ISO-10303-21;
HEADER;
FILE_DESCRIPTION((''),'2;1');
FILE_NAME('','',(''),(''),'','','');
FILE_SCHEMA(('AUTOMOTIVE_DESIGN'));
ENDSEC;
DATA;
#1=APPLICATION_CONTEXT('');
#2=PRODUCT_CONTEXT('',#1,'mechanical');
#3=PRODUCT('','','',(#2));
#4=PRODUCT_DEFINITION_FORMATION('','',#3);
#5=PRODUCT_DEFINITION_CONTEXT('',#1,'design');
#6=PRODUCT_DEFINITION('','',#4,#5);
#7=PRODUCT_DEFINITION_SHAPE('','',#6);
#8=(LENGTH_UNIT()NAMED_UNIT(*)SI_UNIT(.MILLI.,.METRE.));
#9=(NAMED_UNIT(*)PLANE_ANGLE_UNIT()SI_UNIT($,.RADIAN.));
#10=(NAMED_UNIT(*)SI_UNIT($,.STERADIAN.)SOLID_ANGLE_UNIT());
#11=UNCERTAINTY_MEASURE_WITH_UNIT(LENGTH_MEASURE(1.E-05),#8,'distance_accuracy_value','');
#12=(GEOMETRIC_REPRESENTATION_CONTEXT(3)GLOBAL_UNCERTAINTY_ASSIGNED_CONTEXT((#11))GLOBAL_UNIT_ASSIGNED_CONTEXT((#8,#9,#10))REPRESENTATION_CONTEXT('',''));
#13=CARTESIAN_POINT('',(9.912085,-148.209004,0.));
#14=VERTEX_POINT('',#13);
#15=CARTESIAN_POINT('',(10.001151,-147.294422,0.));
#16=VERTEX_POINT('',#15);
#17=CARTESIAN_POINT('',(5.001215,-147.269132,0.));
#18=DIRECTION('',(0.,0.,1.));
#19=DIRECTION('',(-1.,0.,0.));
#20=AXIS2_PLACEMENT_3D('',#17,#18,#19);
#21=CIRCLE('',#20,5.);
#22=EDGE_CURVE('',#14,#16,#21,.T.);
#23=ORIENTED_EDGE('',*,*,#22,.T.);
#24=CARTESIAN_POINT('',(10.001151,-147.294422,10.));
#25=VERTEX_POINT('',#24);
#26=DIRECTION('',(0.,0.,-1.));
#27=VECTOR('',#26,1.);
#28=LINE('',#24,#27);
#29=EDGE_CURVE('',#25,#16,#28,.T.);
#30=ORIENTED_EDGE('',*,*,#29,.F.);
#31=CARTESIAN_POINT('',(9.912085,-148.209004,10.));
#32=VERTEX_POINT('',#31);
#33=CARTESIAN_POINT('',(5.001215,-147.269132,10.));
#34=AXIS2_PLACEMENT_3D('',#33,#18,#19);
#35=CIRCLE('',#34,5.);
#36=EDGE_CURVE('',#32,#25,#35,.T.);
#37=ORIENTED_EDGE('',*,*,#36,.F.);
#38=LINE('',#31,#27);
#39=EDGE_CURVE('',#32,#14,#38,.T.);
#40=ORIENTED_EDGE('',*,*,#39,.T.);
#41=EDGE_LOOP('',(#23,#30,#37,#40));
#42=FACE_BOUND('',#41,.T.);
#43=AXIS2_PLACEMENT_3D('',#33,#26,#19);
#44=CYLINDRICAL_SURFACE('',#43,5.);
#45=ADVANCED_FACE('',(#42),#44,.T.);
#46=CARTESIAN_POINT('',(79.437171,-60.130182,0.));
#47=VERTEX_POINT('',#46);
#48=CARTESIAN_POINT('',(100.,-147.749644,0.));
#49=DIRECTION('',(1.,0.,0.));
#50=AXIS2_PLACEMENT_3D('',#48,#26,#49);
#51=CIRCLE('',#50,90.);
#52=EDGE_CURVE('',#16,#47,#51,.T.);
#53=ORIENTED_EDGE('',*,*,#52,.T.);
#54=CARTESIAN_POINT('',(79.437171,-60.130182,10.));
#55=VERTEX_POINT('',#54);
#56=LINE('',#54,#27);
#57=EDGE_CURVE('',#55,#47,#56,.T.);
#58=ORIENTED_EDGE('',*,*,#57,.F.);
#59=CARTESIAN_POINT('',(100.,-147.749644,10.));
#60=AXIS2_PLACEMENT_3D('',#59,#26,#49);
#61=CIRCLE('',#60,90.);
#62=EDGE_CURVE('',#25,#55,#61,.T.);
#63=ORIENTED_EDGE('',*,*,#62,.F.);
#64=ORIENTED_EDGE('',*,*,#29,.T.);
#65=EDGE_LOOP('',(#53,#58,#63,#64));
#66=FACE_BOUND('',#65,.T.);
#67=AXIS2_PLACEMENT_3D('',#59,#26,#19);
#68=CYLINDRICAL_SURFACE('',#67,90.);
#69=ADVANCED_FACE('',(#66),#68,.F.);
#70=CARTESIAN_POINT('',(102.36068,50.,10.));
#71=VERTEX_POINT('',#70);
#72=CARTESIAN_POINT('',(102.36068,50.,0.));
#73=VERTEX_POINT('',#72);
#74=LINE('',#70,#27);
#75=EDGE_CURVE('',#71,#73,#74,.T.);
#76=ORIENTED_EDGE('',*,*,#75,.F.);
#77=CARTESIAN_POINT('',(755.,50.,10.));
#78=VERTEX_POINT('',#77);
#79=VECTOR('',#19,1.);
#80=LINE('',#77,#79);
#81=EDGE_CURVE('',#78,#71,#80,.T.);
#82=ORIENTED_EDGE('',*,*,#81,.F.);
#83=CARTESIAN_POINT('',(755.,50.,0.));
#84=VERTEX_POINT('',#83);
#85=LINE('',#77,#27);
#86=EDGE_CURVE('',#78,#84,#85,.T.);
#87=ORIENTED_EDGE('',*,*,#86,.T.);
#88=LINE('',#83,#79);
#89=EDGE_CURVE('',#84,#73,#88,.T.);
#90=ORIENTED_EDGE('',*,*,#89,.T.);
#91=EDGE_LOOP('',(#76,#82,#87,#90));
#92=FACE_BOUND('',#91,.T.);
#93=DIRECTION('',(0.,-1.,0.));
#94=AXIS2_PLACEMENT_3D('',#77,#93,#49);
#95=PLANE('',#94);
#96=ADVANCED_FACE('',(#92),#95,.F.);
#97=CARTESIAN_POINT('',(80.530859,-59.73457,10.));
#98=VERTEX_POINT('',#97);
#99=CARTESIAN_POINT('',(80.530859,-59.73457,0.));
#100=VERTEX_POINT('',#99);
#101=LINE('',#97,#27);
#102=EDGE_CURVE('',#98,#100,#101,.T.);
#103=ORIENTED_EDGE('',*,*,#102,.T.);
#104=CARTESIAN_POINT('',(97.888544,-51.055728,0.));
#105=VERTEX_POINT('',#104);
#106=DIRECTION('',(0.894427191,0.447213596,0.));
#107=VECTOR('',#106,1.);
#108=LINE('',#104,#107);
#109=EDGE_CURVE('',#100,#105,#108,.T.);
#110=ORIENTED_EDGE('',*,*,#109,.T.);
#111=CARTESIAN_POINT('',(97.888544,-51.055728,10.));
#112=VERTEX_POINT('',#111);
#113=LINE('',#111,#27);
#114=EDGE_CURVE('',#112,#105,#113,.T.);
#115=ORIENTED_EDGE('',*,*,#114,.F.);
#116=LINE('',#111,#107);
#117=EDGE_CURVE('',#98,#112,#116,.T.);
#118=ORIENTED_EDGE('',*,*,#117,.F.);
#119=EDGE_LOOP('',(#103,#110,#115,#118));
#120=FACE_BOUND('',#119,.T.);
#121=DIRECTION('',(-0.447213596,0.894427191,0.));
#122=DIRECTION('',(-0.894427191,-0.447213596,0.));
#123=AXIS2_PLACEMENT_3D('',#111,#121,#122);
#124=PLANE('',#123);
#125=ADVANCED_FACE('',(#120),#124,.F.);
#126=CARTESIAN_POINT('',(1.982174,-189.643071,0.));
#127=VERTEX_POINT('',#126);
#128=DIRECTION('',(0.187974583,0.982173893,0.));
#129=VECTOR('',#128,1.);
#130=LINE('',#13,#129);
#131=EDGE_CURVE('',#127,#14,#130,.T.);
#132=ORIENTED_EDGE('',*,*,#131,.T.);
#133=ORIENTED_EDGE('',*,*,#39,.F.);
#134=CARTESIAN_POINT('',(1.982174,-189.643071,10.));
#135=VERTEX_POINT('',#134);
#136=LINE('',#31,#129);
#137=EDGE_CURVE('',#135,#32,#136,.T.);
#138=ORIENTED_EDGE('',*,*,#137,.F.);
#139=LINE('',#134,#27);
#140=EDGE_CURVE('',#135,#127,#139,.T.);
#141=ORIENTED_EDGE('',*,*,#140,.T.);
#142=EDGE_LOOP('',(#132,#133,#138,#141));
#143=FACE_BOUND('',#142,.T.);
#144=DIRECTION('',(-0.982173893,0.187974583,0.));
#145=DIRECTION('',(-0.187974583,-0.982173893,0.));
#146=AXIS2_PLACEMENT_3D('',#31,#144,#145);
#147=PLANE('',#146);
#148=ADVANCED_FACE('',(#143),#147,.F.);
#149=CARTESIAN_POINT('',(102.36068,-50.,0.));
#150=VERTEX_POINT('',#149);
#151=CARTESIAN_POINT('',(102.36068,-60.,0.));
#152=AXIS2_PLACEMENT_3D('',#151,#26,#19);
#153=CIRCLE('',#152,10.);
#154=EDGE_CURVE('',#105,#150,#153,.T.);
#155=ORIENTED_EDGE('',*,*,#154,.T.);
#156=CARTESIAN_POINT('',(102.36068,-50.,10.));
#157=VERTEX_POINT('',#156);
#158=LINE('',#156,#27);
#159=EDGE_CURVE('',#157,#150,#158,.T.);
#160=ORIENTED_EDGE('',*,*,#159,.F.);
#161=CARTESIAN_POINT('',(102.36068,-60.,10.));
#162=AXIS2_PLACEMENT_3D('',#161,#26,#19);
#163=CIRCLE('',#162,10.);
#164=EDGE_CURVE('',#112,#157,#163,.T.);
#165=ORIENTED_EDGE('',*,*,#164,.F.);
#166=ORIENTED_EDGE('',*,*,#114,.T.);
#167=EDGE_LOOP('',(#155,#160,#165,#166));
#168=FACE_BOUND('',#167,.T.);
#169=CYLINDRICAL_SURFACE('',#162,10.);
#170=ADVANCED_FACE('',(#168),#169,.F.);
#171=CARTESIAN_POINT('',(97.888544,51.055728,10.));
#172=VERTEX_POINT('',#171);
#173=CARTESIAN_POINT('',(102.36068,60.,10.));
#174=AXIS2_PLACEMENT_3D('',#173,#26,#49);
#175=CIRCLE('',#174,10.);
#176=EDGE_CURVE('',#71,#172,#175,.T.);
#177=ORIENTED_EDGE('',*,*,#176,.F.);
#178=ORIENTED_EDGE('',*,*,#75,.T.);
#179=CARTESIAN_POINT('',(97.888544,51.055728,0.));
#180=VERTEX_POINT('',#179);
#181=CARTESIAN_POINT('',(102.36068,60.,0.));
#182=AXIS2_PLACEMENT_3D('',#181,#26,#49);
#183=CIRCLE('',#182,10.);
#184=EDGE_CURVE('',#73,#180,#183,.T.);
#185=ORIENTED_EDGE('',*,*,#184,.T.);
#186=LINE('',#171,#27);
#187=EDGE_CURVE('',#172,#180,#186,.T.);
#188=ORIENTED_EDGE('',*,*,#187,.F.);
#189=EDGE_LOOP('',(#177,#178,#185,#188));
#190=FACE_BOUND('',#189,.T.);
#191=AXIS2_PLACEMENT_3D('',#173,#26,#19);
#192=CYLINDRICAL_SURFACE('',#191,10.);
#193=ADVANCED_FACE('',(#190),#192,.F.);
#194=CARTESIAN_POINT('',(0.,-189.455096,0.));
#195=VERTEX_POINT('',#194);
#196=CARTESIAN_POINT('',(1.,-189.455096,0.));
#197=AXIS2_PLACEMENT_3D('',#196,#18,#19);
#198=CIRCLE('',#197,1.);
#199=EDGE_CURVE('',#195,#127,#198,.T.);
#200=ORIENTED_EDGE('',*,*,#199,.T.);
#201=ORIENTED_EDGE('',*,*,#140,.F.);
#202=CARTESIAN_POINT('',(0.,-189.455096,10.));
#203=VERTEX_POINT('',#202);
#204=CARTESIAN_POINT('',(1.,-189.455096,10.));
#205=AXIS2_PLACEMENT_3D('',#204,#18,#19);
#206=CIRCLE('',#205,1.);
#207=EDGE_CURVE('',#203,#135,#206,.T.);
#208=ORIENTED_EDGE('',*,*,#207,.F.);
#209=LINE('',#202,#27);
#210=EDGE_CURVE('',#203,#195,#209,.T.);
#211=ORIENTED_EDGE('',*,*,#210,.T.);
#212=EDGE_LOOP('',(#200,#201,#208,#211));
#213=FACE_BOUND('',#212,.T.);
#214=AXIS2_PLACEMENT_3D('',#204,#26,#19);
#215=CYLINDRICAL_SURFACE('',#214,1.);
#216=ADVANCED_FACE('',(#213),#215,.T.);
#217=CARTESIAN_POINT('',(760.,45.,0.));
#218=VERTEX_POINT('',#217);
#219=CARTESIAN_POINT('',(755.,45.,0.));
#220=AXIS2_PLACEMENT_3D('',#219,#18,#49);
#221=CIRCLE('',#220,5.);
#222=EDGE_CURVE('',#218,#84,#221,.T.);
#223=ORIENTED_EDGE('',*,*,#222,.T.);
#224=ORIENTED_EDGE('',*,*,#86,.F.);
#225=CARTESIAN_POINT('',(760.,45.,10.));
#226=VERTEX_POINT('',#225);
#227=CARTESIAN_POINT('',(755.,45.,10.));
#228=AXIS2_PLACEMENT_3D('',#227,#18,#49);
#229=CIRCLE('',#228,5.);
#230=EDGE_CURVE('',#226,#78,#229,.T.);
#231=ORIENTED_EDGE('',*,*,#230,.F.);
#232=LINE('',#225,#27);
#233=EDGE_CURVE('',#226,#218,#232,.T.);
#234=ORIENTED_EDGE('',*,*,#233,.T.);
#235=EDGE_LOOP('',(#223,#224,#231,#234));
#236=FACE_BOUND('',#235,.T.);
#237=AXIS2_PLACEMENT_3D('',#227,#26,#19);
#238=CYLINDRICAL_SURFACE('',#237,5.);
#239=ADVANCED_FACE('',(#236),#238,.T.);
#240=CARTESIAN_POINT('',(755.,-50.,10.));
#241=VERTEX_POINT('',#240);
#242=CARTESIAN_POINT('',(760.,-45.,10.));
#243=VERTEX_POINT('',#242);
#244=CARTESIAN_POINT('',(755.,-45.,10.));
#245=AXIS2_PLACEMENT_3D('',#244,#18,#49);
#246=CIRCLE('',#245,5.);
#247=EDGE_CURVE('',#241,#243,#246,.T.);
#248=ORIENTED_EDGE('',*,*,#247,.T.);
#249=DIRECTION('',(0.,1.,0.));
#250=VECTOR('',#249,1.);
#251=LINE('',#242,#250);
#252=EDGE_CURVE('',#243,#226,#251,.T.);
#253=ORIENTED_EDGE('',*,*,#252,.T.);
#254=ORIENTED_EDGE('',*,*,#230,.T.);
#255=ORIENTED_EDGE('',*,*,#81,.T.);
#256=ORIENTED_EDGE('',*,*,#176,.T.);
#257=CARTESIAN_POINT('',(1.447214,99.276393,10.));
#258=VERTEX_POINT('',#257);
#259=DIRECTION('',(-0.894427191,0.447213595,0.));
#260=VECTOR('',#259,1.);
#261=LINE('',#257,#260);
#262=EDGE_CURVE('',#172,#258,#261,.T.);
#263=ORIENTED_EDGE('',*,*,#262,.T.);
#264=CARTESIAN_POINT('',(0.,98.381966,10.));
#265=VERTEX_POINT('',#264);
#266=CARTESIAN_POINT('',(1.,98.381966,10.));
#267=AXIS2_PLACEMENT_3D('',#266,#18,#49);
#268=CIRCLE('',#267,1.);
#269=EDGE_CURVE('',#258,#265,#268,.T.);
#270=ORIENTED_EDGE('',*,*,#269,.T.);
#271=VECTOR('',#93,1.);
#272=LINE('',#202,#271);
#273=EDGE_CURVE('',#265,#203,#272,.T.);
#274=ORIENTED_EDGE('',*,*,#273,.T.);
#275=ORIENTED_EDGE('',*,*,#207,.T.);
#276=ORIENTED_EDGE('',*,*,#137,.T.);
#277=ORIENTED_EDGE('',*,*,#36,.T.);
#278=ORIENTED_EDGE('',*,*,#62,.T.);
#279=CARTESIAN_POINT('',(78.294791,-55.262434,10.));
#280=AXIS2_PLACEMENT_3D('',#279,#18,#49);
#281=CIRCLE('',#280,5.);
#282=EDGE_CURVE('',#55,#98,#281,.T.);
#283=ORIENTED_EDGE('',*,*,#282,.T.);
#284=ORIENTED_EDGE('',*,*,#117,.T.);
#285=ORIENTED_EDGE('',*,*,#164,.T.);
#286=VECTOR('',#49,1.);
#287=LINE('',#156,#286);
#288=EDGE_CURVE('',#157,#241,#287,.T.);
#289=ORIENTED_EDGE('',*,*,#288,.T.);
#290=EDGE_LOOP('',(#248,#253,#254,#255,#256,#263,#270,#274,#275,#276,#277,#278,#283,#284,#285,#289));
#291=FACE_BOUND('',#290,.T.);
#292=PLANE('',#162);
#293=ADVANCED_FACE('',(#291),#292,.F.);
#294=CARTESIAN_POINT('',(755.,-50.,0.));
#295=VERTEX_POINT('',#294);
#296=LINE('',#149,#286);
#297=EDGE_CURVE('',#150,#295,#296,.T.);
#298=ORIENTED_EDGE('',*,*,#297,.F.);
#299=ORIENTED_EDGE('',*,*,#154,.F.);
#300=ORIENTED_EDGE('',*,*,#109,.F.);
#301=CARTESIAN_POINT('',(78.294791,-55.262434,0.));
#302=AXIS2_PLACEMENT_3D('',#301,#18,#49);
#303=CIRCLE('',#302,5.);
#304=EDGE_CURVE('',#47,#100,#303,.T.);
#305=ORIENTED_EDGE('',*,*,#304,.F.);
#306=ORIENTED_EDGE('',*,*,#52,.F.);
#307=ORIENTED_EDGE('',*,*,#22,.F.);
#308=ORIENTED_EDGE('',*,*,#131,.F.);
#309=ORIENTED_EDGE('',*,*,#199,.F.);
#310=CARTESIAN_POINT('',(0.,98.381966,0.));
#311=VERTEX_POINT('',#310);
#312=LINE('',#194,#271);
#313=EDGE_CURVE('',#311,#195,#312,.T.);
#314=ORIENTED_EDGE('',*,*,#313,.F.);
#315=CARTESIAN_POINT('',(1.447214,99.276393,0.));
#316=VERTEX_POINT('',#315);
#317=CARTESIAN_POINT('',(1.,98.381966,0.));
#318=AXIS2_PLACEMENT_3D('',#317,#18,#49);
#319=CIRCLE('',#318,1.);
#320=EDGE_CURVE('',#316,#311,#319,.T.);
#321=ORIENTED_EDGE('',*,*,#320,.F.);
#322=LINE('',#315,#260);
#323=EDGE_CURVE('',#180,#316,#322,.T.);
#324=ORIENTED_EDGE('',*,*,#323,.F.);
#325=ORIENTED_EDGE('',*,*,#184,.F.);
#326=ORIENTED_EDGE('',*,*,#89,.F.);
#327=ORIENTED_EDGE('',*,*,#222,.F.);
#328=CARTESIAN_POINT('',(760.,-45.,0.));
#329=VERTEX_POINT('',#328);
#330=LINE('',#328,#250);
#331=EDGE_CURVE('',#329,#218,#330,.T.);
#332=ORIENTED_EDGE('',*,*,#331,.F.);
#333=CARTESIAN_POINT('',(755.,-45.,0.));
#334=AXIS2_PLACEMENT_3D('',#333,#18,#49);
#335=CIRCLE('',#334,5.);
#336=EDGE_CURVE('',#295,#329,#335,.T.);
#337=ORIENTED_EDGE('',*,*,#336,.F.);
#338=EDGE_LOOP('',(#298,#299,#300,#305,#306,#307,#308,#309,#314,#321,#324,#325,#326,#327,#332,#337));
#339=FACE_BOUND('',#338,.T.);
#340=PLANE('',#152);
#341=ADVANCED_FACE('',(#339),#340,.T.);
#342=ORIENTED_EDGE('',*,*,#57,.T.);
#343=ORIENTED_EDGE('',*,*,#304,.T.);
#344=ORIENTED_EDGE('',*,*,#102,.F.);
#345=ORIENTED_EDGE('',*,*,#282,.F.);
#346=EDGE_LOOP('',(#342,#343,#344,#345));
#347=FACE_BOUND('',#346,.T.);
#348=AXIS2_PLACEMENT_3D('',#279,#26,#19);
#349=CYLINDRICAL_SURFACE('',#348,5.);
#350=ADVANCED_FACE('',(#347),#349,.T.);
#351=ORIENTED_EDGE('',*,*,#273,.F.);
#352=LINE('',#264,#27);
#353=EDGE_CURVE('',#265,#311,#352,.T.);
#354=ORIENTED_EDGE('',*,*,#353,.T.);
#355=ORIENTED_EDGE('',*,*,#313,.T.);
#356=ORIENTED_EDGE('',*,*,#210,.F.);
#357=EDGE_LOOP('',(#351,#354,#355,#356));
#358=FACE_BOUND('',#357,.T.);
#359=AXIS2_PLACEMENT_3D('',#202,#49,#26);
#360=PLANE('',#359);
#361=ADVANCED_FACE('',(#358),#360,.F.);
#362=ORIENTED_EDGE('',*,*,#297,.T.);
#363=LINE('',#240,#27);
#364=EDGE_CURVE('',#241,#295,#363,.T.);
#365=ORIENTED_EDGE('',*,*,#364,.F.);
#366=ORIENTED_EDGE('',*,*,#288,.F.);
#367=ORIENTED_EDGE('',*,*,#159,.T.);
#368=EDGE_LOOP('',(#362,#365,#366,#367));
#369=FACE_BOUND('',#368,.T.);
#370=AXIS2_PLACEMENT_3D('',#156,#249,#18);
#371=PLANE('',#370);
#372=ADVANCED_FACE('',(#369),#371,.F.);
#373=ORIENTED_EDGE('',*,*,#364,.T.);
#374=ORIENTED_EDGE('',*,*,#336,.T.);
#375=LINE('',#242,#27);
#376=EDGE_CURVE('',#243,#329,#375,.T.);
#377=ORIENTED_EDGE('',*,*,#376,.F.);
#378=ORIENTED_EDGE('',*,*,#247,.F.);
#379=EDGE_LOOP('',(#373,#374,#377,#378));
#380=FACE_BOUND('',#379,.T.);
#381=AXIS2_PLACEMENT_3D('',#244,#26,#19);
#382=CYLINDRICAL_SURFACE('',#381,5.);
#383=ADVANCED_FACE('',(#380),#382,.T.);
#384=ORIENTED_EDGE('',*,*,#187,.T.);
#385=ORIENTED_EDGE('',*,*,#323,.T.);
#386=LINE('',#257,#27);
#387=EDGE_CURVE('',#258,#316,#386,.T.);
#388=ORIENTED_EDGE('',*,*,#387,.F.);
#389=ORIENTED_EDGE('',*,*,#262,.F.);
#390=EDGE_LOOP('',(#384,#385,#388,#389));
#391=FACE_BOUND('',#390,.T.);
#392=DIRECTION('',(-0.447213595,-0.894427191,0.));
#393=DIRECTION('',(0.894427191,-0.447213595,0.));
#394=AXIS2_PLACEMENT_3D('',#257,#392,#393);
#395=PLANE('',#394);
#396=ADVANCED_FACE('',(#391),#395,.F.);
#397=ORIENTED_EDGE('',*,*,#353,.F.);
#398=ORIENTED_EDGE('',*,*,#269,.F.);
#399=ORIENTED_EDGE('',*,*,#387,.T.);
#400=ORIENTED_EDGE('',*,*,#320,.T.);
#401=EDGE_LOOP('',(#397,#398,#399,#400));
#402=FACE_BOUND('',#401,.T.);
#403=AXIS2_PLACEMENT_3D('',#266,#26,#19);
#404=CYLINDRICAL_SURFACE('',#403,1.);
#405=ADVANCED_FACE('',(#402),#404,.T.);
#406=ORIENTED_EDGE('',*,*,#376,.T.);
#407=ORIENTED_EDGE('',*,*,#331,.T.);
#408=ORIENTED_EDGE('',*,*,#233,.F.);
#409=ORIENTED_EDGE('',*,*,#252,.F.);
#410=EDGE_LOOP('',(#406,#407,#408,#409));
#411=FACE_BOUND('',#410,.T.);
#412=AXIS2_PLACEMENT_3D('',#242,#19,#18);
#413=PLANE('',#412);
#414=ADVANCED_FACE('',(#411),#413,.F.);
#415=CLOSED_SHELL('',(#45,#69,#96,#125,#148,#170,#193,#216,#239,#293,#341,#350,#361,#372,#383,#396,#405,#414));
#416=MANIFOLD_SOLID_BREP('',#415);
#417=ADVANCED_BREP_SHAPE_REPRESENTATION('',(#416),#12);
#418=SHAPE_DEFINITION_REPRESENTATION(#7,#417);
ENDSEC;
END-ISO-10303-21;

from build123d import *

# Parameters (mm, degrees)
BOSS_EXTRUDE1_DEPTH = 10


with BuildPart() as part:
    # Sketch1 → Boss-Extrude1 (new body)
    with BuildSketch(Plane.XY):
        with BuildLine():
            Line((1.447213595, 99.276393202), (97.88854382, 51.05572809))
            ThreePointArc((97.88854382, 51.05572809), (100.06315057, 50.267510105), (102.360679775, 50))
            Line((102.360679775, 50), (755, 50))
            ThreePointArc((755, 50), (758.535533906, 48.535533906), (760, 45))
            Line((760, 45), (760, -45.000000001))
            ThreePointArc((760, -45.000000001), (758.535533906, -48.535533907), (755, -50.000000001))
            Line((755, -50.000000001), (102.360679777, -50.000000001))
            ThreePointArc((102.360679777, -50.000000001), (100.06315057, -50.267510107), (97.888543818, -51.055728093))
            Line((97.888543818, -51.055728093), (80.530859307, -59.734570358))
            ThreePointArc((80.530859307, -59.734570358), (79.995557001, -59.964284692), (79.437170731, -60.130182272))
            ThreePointArc((79.437170731, -60.130182272), (29.605594549, -91.672663918), (10.00115127, -147.294421683))
            ThreePointArc((10.00115127, -147.294421683), (9.977672992, -147.753763522), (9.912084694, -148.209004479))
            Line((9.912084694, -148.209004479), (1.982173893, -189.643070819))
            ThreePointArc((1.982173893, -189.643070819), (0.90559103, -190.450629734), (0, -189.455096236))
            Line((0, -189.455096236), (0, 98.381966011))
            ThreePointArc((0, 98.381966011), (0.474268888, 99.23261682), (1.447213595, 99.276393202))
        make_face()
    extrude(amount=BOSS_EXTRUDE1_DEPTH)


solid = part.part
